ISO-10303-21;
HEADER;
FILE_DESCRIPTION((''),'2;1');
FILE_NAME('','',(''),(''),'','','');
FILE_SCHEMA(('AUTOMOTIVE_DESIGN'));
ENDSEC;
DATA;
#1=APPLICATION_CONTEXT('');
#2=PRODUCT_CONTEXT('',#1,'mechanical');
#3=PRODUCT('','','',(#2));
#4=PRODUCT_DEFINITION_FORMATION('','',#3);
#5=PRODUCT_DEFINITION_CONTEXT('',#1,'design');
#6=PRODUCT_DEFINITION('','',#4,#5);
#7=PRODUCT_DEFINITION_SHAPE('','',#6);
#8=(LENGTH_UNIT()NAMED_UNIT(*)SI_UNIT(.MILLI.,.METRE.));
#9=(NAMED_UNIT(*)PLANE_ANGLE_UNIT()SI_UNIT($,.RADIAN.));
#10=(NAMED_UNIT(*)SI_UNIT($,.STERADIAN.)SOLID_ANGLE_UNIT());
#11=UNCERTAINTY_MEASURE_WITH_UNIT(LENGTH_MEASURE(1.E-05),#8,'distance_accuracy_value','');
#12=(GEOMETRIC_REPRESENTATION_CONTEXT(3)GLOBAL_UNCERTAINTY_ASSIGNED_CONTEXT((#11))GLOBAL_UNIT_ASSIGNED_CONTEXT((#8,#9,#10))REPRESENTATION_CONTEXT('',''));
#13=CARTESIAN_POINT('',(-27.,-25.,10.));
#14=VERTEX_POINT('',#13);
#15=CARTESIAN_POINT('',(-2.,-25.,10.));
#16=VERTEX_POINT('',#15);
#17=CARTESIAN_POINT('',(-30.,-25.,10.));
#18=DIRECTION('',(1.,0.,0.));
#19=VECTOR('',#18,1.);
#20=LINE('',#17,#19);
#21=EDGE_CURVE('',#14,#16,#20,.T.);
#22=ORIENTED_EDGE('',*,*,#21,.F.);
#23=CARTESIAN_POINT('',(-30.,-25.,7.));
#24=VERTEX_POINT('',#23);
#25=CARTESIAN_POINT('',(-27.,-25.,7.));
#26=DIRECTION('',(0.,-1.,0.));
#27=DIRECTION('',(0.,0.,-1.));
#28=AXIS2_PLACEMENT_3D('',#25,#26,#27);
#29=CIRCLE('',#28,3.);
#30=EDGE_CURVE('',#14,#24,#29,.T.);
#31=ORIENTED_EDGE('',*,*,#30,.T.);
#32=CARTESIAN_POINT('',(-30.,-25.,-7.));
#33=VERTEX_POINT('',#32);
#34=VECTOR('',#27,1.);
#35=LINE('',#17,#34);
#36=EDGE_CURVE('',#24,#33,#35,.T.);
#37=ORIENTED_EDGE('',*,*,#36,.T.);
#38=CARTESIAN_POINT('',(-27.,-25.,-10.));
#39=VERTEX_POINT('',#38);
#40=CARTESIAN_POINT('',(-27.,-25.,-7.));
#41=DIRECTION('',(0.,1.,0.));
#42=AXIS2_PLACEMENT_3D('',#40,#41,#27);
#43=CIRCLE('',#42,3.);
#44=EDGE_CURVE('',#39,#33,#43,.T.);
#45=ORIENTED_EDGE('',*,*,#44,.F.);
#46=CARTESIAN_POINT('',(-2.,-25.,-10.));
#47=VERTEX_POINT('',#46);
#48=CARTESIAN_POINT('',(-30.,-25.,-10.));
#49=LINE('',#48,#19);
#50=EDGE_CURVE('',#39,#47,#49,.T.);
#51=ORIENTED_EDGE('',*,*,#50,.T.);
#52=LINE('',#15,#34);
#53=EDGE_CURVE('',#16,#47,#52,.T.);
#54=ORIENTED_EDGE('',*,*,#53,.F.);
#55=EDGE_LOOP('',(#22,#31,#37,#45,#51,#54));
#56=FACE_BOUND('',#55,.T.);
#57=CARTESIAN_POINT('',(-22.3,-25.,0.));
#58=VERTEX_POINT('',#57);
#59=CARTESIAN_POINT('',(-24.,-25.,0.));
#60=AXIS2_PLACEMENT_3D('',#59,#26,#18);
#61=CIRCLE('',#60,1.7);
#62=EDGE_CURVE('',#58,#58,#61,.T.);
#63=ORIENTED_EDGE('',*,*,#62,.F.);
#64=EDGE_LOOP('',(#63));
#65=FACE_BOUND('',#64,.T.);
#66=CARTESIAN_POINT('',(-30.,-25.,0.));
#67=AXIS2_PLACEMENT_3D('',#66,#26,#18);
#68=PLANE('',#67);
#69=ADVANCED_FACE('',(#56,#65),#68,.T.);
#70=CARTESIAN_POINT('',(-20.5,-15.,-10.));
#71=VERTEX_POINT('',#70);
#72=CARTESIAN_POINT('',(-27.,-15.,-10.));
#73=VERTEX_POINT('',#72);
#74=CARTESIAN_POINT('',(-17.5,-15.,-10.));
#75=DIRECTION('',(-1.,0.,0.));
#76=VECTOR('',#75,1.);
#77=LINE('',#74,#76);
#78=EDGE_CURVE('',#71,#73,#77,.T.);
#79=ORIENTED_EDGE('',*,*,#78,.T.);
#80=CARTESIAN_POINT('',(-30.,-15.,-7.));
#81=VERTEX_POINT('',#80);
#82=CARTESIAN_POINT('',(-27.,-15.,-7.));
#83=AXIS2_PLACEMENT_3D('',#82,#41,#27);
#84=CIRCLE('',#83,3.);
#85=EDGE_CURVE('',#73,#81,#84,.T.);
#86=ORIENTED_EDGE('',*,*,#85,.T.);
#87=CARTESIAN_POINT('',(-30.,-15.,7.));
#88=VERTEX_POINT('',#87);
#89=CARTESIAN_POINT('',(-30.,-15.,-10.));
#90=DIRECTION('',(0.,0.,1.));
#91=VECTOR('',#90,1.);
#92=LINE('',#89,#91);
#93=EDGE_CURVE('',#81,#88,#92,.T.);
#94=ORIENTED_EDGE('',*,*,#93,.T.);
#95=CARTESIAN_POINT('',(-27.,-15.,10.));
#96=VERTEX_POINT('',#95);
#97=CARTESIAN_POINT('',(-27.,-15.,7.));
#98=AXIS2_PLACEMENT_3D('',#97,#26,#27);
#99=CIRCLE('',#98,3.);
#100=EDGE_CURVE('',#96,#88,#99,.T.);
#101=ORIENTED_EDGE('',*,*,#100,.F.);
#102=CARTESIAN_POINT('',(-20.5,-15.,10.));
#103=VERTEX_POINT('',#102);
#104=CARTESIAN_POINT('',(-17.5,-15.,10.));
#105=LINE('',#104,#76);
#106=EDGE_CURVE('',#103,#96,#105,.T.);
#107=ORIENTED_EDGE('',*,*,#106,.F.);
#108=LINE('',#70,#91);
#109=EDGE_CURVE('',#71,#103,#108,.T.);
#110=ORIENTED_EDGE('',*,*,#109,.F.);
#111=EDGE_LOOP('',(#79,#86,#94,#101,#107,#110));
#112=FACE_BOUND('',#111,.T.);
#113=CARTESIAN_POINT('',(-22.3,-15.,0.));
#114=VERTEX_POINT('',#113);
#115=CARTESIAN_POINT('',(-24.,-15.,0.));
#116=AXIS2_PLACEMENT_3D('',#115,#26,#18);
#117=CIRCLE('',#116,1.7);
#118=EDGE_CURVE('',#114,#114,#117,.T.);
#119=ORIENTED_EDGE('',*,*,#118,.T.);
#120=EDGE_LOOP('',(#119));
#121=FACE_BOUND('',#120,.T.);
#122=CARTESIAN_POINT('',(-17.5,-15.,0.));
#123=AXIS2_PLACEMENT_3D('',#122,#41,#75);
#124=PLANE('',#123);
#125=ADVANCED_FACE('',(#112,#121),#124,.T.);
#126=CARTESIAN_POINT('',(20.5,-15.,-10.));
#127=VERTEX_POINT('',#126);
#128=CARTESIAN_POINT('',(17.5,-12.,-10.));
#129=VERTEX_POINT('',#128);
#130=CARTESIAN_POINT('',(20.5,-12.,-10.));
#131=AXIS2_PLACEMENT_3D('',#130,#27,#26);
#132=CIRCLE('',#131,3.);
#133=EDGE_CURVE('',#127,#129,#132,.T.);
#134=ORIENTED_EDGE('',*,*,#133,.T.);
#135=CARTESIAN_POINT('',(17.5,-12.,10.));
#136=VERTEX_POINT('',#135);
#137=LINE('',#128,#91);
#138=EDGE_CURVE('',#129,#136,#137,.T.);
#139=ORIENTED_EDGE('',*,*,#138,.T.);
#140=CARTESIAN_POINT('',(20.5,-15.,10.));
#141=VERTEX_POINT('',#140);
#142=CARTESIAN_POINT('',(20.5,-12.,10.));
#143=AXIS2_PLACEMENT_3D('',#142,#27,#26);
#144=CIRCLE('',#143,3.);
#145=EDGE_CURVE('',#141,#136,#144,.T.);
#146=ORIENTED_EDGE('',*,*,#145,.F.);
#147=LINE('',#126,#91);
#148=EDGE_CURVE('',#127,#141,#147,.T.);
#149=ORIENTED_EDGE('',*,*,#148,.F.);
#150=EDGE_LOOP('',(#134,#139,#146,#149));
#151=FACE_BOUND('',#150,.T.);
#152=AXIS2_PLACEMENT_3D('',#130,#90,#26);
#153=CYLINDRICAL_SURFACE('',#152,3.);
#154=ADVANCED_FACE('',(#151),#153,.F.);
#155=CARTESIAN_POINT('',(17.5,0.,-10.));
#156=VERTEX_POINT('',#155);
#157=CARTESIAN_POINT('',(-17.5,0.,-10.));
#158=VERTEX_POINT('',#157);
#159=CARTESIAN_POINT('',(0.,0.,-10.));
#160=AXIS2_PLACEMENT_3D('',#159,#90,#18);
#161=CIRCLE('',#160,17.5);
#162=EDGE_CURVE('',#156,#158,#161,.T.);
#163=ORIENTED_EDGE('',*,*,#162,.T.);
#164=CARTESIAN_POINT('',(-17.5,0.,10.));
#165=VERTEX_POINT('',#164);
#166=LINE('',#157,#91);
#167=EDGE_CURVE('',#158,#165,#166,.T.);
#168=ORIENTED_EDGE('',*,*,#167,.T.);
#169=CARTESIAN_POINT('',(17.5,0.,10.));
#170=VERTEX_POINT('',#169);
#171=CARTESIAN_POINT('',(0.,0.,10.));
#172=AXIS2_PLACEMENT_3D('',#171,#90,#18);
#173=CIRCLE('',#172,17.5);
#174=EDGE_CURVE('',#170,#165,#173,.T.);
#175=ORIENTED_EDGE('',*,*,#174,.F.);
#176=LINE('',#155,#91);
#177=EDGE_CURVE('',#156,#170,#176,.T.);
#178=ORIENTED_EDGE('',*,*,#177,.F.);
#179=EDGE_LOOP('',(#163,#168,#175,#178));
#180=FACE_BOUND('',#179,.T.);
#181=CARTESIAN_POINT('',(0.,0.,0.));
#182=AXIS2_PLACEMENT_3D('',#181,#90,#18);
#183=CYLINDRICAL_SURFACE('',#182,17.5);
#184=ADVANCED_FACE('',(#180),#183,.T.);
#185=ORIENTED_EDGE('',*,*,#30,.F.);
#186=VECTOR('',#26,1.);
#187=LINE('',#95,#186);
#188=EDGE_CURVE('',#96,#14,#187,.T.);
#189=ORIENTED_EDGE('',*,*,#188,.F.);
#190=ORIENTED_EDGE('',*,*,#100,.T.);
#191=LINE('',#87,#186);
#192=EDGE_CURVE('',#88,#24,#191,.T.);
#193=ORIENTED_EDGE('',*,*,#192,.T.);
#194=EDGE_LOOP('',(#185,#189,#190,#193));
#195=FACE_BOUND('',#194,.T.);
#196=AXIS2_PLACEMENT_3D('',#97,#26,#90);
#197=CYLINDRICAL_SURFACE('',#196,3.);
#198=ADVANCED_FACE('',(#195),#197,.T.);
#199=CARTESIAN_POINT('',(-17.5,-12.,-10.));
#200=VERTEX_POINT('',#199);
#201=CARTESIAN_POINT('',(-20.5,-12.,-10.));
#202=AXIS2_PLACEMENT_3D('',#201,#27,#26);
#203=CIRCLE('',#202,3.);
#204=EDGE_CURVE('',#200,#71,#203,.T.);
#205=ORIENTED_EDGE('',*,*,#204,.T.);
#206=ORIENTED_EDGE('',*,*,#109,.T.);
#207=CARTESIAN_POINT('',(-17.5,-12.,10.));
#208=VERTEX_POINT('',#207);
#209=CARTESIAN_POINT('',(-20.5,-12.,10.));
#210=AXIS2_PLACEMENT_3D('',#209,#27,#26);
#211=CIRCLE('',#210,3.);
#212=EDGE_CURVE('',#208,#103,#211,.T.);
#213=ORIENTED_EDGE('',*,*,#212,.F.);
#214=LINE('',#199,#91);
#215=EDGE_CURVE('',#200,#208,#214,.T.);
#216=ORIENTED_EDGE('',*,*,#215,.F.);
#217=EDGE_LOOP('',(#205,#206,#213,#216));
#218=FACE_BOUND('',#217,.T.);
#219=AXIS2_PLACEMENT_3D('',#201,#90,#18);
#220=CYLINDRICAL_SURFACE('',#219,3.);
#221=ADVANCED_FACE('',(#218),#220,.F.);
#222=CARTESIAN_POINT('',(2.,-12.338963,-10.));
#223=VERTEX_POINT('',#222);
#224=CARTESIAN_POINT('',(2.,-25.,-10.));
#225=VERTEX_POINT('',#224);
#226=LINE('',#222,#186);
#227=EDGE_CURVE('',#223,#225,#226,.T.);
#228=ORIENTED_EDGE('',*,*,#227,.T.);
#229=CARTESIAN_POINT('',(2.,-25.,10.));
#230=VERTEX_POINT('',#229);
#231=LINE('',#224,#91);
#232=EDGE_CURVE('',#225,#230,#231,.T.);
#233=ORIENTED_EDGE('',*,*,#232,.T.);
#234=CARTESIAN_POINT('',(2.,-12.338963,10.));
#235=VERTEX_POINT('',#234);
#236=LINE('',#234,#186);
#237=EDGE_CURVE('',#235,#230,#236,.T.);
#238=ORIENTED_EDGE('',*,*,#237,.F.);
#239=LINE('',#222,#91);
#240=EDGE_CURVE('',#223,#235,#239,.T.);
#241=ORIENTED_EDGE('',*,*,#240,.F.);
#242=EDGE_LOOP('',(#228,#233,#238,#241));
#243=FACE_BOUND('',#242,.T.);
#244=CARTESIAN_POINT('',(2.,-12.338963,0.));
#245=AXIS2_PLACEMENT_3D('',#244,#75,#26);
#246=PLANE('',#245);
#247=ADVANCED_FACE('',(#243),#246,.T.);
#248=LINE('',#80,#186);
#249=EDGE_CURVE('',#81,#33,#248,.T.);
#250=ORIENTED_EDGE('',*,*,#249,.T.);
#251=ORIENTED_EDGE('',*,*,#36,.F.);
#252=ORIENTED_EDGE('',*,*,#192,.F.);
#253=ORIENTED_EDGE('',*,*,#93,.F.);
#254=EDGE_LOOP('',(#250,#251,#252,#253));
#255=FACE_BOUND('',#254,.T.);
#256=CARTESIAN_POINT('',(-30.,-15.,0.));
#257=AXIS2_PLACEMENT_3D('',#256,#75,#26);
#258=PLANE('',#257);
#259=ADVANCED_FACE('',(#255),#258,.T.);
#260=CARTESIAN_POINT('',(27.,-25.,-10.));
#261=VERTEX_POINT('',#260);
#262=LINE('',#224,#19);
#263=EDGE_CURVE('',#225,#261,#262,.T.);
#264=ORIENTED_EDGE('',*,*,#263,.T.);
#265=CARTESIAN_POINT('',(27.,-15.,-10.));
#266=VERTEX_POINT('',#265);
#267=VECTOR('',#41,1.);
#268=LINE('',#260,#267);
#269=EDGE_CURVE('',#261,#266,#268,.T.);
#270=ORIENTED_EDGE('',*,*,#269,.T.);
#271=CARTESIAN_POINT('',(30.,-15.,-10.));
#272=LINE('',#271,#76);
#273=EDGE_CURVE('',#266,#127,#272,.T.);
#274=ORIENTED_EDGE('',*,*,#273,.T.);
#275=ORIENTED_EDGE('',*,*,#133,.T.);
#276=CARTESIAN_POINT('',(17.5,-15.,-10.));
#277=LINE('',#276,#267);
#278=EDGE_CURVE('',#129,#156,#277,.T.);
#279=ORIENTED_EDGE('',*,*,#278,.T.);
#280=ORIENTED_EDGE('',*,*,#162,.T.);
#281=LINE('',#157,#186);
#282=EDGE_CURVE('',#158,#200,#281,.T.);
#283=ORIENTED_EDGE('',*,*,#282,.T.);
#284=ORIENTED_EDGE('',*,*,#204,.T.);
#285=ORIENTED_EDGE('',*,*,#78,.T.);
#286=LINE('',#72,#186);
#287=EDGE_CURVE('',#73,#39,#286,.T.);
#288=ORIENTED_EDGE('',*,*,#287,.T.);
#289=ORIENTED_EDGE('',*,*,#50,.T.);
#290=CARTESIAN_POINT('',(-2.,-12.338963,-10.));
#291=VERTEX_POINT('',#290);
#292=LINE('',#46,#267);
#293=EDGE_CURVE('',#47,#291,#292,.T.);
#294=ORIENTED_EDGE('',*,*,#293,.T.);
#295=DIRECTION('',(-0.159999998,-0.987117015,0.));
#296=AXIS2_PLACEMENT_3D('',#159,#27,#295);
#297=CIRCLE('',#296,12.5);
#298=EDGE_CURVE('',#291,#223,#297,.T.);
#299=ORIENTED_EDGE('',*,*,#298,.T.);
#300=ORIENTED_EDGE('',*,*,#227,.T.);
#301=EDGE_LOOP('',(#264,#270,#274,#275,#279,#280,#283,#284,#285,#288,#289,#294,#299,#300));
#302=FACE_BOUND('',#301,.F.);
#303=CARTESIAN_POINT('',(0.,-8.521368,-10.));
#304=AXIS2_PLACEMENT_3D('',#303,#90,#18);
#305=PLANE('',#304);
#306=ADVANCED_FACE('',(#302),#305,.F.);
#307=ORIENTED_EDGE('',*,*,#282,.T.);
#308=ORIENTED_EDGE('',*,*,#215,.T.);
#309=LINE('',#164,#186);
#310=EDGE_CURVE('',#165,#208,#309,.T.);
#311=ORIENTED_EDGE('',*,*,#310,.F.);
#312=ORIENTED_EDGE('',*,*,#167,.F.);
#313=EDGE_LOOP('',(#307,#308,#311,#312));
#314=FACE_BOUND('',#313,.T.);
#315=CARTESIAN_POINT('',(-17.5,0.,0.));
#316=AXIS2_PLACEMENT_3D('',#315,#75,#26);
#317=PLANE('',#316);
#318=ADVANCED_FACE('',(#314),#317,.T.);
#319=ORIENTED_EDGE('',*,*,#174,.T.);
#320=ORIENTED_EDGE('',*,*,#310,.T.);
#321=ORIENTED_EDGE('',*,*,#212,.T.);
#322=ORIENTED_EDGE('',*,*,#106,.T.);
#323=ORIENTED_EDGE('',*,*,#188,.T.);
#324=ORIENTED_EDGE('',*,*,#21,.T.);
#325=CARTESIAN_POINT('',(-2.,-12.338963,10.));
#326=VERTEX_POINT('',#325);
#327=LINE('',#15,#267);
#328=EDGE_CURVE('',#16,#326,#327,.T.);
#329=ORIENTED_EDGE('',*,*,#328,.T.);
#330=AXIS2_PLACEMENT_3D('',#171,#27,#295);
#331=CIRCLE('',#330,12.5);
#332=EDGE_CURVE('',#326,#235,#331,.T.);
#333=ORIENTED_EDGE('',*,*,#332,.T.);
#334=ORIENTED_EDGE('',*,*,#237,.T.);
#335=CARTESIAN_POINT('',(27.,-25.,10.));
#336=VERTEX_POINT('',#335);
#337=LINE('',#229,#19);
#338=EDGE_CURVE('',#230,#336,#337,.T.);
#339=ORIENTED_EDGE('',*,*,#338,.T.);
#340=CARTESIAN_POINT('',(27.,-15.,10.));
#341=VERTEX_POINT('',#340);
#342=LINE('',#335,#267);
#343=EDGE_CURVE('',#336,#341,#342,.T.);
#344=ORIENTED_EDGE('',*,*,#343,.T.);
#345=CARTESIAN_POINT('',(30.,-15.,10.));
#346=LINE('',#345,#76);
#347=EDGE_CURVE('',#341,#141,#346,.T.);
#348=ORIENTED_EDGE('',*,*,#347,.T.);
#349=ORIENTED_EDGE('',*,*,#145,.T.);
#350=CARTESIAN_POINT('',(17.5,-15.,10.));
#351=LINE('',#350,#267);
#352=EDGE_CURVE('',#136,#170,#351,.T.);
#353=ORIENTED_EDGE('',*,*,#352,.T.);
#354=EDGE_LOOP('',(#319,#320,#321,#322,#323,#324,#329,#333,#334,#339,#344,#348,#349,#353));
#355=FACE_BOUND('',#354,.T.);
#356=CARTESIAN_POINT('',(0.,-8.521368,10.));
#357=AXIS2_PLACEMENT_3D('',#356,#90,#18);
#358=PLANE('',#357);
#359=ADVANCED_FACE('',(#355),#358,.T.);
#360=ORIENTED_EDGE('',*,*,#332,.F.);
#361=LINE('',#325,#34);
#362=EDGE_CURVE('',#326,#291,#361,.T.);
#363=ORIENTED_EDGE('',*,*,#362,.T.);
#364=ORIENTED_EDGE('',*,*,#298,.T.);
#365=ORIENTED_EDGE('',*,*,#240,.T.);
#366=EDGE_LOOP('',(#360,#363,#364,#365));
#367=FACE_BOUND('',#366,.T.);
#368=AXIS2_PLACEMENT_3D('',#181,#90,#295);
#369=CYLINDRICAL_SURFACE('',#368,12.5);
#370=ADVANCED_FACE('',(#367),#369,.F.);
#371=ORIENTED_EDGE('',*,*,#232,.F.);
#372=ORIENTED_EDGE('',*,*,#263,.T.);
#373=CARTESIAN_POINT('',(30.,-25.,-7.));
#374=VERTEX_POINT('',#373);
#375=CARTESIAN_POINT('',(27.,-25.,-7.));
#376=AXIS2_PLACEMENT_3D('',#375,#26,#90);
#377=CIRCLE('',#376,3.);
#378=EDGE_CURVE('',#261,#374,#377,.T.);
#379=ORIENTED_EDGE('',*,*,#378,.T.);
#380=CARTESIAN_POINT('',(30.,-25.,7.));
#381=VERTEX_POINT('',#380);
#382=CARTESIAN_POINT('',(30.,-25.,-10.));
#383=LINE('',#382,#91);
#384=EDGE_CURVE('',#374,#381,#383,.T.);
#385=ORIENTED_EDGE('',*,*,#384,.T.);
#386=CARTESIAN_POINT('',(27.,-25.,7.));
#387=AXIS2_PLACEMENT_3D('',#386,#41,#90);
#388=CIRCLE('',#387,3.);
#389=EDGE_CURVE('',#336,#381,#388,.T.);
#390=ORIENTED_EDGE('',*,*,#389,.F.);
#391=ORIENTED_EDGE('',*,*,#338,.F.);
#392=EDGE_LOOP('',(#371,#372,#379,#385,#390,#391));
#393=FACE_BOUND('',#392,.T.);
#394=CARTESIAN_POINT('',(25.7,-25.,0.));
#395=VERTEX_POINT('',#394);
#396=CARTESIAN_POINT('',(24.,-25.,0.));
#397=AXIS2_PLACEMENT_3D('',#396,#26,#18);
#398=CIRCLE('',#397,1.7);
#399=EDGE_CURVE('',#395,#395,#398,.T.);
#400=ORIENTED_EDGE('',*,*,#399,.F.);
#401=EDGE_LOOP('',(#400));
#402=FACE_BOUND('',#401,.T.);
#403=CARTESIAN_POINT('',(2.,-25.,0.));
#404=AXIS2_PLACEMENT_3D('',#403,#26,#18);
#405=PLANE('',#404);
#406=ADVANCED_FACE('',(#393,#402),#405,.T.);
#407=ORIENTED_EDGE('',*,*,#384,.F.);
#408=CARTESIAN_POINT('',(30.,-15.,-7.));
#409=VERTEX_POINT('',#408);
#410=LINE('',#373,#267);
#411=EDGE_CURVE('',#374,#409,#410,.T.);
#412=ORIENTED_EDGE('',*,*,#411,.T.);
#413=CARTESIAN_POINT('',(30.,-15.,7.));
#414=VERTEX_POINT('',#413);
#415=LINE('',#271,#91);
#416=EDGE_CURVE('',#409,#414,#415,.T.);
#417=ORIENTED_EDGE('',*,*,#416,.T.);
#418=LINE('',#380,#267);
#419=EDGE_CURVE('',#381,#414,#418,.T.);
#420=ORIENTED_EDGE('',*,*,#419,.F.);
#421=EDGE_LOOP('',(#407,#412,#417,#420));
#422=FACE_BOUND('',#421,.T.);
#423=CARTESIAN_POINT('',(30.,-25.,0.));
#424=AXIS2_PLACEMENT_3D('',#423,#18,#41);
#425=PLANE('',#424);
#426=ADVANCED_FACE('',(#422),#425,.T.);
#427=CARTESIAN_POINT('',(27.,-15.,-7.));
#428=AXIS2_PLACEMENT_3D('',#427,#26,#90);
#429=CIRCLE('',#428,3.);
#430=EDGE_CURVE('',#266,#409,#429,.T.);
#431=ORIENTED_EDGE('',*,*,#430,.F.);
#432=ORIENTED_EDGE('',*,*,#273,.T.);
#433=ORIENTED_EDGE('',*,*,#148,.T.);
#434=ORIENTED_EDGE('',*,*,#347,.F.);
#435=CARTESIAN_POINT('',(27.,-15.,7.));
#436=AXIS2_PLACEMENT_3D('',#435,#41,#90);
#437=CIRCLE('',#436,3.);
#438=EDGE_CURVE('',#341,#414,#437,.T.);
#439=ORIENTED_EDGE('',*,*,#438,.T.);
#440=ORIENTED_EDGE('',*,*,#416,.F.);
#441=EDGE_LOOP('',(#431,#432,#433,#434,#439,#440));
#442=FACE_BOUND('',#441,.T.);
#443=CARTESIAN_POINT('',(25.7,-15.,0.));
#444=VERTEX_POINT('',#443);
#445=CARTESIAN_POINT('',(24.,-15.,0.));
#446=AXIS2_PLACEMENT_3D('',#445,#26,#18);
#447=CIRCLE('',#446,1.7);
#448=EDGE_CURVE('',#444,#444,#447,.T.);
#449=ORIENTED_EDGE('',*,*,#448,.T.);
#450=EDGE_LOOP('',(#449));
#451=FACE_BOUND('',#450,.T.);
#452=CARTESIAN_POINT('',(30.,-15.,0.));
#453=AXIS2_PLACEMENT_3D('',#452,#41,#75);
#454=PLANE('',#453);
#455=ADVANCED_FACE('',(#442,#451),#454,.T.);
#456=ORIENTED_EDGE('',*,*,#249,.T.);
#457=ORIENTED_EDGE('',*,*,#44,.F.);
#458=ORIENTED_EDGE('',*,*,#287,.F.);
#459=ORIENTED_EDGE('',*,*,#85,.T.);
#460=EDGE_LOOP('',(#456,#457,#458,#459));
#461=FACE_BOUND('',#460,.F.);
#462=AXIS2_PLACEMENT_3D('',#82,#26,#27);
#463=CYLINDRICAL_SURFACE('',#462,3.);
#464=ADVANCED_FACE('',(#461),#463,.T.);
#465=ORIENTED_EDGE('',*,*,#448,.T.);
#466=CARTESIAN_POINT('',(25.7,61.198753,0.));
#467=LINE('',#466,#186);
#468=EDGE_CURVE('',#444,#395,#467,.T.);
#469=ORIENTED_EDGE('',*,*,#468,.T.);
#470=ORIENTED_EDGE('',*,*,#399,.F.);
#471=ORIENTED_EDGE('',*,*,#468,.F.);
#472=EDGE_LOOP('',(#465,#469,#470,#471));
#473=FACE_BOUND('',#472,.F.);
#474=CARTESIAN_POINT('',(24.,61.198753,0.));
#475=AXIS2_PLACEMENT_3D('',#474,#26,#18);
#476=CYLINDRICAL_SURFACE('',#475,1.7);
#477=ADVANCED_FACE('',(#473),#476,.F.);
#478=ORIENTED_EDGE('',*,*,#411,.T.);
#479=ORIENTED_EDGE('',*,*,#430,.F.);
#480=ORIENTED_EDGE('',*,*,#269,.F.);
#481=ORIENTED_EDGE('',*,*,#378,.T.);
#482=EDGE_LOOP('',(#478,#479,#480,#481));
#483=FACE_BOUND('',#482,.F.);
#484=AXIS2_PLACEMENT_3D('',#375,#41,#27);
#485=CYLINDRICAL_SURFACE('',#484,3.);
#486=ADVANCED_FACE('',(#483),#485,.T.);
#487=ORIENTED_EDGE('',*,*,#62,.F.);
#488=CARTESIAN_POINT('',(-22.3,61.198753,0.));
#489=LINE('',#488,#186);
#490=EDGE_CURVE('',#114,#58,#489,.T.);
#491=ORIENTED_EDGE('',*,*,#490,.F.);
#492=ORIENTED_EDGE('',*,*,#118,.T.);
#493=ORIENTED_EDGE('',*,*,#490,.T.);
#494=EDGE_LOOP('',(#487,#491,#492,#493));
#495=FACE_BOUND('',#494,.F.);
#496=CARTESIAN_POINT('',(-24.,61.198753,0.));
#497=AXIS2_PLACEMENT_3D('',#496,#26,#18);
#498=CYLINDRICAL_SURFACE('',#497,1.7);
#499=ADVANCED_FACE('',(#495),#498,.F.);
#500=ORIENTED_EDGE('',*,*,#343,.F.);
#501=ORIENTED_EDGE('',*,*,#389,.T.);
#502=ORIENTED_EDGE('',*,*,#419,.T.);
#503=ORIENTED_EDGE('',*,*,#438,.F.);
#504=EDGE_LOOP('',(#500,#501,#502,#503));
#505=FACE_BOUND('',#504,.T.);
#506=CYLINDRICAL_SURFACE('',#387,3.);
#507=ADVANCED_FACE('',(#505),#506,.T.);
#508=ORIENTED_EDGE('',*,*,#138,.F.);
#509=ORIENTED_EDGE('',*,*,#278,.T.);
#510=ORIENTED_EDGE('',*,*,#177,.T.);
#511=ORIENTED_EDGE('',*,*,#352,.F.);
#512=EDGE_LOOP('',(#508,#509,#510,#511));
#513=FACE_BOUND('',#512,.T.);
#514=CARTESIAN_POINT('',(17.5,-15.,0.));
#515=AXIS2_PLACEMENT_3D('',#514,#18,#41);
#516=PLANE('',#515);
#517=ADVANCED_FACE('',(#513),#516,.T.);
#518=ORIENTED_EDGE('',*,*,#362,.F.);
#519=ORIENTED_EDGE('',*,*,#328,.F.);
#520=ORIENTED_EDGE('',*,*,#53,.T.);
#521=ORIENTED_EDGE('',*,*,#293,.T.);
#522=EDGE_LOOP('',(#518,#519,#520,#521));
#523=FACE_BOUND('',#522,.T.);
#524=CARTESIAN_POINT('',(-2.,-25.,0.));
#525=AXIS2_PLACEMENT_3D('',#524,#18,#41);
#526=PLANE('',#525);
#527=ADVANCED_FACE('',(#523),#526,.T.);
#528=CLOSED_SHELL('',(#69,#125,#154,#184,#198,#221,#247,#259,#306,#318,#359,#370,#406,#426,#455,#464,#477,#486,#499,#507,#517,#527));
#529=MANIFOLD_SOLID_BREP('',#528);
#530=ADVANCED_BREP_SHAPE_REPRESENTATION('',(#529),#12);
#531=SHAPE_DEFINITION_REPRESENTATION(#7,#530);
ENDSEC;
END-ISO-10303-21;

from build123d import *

# Parameters (mm, degrees)
F1_DEPTH = 10
F3_D     = 3.4
F4_R     = 3


with BuildPart() as f1:
    # F0 (on Top) → F1 (new body, symmetric)
    with BuildSketch(Plane.XY):
        with BuildLine():
            ThreePointArc((-2, -12.338963), (0, 12.5), (2, -12.338963))
            Line((2, -12.338963), (2, -25))
            Line((2, -25), (30, -25))
            Line((30, -25), (30, -15))
            Line((30, -15), (17.5, -15))
            Line((17.5, -15), (17.5, 0))
            ThreePointArc((17.5, 0), (0, 17.5), (-17.5, 0))
            Line((-17.5, 0), (-17.5, -15))
            Line((-17.5, -15), (-30, -15))
            Line((-30, -15), (-30, -25))
            Line((-30, -25), (-2, -25))
            Line((-2, -25), (-2, -12.338963))
        make_face()
    extrude(amount=F1_DEPTH, both=True)

    # F3 (through all)
    with Locations(Plane(origin=(0, -15, 0), x_dir=(-1, 0, 0), z_dir=(0, 1, 0))):
        with Locations((24, 0), (-24, 0)):
            Hole(F3_D / 2)

    # F4
    f4_edges = [f1.edges().sort_by_distance(p)[0] for p in [
        (17.5, -15, 0),
        (-17.5, -15, 0),
        (-30, -20, 10),
        (-30, -20, -10),
        (30, -20, 10),
        (30, -20, -10),
    ]]
    fillet(f4_edges, radius=F4_R)


solid = f1.part
